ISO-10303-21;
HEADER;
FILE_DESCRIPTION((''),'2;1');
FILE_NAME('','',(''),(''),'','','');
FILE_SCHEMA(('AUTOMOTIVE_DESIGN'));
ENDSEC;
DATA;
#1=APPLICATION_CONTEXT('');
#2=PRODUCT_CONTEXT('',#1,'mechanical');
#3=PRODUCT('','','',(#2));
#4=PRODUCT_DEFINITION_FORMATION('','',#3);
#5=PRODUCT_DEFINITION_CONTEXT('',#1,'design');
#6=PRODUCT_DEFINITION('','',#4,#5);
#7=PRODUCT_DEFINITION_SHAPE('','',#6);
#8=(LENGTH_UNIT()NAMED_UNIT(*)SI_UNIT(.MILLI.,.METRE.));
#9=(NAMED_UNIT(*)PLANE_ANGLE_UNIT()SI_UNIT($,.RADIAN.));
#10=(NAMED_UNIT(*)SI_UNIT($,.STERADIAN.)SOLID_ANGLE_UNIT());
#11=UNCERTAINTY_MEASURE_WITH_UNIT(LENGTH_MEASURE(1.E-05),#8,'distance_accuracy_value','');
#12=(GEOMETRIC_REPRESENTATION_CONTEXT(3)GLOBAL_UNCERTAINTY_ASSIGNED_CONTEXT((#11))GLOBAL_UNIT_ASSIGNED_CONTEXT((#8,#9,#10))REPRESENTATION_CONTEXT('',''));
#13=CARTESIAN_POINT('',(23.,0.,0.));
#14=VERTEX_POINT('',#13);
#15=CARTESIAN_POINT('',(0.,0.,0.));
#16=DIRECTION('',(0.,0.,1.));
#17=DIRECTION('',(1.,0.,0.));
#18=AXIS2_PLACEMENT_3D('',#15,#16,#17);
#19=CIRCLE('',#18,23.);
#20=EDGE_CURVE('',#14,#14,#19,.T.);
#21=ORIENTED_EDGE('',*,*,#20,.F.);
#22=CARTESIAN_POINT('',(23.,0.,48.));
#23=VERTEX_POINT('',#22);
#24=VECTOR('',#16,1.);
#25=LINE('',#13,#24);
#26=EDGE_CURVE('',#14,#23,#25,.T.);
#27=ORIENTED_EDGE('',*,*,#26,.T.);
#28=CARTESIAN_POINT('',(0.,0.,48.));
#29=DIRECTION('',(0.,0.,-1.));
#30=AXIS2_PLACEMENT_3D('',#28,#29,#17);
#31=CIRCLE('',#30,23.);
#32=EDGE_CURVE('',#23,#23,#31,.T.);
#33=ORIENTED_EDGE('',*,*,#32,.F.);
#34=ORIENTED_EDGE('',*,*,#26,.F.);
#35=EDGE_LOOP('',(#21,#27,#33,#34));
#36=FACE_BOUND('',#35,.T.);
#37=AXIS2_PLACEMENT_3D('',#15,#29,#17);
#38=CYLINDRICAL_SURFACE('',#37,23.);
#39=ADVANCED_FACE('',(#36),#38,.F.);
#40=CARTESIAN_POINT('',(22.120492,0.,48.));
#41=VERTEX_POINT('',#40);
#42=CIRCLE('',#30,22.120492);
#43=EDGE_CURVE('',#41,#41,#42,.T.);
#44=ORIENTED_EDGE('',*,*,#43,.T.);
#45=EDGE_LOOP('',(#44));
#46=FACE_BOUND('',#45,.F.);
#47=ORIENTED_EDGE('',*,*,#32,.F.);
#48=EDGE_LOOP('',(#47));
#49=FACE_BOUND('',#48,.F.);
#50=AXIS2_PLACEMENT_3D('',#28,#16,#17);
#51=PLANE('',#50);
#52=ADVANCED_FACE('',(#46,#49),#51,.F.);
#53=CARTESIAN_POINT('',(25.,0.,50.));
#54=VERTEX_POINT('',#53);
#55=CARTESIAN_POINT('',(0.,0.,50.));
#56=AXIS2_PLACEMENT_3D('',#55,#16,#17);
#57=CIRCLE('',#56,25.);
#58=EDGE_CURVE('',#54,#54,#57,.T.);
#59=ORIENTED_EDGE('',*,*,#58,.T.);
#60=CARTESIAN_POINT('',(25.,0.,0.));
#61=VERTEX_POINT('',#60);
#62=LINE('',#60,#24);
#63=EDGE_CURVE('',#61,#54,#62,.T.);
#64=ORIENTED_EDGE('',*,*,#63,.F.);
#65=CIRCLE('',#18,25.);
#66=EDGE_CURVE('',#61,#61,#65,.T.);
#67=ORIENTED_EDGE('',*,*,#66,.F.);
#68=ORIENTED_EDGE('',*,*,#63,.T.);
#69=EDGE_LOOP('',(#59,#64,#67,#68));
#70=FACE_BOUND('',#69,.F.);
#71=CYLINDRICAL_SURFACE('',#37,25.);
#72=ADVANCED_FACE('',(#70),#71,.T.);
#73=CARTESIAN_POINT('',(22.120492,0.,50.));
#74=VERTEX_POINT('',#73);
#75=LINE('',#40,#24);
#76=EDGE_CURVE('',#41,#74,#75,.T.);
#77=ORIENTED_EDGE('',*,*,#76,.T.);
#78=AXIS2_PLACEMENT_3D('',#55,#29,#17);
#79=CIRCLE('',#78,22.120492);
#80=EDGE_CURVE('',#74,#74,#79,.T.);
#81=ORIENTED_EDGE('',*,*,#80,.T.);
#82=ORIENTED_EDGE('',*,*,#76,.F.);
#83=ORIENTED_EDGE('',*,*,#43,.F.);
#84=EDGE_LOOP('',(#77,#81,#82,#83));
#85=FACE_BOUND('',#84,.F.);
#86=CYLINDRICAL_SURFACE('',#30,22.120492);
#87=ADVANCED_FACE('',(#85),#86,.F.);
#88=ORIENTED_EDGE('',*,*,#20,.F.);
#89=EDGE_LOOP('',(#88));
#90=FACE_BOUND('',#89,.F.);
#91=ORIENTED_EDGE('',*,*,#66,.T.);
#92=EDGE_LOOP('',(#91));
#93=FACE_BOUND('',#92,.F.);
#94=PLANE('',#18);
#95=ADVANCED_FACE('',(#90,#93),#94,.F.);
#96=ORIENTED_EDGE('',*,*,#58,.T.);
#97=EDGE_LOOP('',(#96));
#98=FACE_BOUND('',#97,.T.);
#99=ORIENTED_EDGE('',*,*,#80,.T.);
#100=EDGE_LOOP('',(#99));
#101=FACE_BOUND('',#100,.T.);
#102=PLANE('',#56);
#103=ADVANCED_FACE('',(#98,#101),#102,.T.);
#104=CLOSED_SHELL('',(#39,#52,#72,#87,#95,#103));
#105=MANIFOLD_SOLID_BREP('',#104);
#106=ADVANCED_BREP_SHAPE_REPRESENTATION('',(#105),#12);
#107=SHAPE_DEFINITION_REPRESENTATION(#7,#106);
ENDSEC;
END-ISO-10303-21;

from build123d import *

# Parameters (mm, degrees)
F0_R     = 25
F1_DEPTH = 50
F2_T     = -2
F3_R     = 22.120492
F4_DEPTH = 25


with BuildPart() as f1:
    # F0 (on Top) → F1 (new body)
    with BuildSketch(Plane.XY):
        Circle(F0_R)
    extrude(amount=F1_DEPTH)

    # F2
    f2_openings = [f1.faces().sort_by_distance(p)[0] for p in [
        (0, 0, 0),
    ]]
    offset(amount=F2_T, openings=f2_openings)

    # F3 (on face) → F4 (cut)
    with BuildSketch(Plane(origin=(0, 0, 48), x_dir=(1, 0, 0), z_dir=(0, 0, -1))):
        Circle(F3_R)
    extrude(amount=-F4_DEPTH, mode=Mode.SUBTRACT)


solid = f1.part
